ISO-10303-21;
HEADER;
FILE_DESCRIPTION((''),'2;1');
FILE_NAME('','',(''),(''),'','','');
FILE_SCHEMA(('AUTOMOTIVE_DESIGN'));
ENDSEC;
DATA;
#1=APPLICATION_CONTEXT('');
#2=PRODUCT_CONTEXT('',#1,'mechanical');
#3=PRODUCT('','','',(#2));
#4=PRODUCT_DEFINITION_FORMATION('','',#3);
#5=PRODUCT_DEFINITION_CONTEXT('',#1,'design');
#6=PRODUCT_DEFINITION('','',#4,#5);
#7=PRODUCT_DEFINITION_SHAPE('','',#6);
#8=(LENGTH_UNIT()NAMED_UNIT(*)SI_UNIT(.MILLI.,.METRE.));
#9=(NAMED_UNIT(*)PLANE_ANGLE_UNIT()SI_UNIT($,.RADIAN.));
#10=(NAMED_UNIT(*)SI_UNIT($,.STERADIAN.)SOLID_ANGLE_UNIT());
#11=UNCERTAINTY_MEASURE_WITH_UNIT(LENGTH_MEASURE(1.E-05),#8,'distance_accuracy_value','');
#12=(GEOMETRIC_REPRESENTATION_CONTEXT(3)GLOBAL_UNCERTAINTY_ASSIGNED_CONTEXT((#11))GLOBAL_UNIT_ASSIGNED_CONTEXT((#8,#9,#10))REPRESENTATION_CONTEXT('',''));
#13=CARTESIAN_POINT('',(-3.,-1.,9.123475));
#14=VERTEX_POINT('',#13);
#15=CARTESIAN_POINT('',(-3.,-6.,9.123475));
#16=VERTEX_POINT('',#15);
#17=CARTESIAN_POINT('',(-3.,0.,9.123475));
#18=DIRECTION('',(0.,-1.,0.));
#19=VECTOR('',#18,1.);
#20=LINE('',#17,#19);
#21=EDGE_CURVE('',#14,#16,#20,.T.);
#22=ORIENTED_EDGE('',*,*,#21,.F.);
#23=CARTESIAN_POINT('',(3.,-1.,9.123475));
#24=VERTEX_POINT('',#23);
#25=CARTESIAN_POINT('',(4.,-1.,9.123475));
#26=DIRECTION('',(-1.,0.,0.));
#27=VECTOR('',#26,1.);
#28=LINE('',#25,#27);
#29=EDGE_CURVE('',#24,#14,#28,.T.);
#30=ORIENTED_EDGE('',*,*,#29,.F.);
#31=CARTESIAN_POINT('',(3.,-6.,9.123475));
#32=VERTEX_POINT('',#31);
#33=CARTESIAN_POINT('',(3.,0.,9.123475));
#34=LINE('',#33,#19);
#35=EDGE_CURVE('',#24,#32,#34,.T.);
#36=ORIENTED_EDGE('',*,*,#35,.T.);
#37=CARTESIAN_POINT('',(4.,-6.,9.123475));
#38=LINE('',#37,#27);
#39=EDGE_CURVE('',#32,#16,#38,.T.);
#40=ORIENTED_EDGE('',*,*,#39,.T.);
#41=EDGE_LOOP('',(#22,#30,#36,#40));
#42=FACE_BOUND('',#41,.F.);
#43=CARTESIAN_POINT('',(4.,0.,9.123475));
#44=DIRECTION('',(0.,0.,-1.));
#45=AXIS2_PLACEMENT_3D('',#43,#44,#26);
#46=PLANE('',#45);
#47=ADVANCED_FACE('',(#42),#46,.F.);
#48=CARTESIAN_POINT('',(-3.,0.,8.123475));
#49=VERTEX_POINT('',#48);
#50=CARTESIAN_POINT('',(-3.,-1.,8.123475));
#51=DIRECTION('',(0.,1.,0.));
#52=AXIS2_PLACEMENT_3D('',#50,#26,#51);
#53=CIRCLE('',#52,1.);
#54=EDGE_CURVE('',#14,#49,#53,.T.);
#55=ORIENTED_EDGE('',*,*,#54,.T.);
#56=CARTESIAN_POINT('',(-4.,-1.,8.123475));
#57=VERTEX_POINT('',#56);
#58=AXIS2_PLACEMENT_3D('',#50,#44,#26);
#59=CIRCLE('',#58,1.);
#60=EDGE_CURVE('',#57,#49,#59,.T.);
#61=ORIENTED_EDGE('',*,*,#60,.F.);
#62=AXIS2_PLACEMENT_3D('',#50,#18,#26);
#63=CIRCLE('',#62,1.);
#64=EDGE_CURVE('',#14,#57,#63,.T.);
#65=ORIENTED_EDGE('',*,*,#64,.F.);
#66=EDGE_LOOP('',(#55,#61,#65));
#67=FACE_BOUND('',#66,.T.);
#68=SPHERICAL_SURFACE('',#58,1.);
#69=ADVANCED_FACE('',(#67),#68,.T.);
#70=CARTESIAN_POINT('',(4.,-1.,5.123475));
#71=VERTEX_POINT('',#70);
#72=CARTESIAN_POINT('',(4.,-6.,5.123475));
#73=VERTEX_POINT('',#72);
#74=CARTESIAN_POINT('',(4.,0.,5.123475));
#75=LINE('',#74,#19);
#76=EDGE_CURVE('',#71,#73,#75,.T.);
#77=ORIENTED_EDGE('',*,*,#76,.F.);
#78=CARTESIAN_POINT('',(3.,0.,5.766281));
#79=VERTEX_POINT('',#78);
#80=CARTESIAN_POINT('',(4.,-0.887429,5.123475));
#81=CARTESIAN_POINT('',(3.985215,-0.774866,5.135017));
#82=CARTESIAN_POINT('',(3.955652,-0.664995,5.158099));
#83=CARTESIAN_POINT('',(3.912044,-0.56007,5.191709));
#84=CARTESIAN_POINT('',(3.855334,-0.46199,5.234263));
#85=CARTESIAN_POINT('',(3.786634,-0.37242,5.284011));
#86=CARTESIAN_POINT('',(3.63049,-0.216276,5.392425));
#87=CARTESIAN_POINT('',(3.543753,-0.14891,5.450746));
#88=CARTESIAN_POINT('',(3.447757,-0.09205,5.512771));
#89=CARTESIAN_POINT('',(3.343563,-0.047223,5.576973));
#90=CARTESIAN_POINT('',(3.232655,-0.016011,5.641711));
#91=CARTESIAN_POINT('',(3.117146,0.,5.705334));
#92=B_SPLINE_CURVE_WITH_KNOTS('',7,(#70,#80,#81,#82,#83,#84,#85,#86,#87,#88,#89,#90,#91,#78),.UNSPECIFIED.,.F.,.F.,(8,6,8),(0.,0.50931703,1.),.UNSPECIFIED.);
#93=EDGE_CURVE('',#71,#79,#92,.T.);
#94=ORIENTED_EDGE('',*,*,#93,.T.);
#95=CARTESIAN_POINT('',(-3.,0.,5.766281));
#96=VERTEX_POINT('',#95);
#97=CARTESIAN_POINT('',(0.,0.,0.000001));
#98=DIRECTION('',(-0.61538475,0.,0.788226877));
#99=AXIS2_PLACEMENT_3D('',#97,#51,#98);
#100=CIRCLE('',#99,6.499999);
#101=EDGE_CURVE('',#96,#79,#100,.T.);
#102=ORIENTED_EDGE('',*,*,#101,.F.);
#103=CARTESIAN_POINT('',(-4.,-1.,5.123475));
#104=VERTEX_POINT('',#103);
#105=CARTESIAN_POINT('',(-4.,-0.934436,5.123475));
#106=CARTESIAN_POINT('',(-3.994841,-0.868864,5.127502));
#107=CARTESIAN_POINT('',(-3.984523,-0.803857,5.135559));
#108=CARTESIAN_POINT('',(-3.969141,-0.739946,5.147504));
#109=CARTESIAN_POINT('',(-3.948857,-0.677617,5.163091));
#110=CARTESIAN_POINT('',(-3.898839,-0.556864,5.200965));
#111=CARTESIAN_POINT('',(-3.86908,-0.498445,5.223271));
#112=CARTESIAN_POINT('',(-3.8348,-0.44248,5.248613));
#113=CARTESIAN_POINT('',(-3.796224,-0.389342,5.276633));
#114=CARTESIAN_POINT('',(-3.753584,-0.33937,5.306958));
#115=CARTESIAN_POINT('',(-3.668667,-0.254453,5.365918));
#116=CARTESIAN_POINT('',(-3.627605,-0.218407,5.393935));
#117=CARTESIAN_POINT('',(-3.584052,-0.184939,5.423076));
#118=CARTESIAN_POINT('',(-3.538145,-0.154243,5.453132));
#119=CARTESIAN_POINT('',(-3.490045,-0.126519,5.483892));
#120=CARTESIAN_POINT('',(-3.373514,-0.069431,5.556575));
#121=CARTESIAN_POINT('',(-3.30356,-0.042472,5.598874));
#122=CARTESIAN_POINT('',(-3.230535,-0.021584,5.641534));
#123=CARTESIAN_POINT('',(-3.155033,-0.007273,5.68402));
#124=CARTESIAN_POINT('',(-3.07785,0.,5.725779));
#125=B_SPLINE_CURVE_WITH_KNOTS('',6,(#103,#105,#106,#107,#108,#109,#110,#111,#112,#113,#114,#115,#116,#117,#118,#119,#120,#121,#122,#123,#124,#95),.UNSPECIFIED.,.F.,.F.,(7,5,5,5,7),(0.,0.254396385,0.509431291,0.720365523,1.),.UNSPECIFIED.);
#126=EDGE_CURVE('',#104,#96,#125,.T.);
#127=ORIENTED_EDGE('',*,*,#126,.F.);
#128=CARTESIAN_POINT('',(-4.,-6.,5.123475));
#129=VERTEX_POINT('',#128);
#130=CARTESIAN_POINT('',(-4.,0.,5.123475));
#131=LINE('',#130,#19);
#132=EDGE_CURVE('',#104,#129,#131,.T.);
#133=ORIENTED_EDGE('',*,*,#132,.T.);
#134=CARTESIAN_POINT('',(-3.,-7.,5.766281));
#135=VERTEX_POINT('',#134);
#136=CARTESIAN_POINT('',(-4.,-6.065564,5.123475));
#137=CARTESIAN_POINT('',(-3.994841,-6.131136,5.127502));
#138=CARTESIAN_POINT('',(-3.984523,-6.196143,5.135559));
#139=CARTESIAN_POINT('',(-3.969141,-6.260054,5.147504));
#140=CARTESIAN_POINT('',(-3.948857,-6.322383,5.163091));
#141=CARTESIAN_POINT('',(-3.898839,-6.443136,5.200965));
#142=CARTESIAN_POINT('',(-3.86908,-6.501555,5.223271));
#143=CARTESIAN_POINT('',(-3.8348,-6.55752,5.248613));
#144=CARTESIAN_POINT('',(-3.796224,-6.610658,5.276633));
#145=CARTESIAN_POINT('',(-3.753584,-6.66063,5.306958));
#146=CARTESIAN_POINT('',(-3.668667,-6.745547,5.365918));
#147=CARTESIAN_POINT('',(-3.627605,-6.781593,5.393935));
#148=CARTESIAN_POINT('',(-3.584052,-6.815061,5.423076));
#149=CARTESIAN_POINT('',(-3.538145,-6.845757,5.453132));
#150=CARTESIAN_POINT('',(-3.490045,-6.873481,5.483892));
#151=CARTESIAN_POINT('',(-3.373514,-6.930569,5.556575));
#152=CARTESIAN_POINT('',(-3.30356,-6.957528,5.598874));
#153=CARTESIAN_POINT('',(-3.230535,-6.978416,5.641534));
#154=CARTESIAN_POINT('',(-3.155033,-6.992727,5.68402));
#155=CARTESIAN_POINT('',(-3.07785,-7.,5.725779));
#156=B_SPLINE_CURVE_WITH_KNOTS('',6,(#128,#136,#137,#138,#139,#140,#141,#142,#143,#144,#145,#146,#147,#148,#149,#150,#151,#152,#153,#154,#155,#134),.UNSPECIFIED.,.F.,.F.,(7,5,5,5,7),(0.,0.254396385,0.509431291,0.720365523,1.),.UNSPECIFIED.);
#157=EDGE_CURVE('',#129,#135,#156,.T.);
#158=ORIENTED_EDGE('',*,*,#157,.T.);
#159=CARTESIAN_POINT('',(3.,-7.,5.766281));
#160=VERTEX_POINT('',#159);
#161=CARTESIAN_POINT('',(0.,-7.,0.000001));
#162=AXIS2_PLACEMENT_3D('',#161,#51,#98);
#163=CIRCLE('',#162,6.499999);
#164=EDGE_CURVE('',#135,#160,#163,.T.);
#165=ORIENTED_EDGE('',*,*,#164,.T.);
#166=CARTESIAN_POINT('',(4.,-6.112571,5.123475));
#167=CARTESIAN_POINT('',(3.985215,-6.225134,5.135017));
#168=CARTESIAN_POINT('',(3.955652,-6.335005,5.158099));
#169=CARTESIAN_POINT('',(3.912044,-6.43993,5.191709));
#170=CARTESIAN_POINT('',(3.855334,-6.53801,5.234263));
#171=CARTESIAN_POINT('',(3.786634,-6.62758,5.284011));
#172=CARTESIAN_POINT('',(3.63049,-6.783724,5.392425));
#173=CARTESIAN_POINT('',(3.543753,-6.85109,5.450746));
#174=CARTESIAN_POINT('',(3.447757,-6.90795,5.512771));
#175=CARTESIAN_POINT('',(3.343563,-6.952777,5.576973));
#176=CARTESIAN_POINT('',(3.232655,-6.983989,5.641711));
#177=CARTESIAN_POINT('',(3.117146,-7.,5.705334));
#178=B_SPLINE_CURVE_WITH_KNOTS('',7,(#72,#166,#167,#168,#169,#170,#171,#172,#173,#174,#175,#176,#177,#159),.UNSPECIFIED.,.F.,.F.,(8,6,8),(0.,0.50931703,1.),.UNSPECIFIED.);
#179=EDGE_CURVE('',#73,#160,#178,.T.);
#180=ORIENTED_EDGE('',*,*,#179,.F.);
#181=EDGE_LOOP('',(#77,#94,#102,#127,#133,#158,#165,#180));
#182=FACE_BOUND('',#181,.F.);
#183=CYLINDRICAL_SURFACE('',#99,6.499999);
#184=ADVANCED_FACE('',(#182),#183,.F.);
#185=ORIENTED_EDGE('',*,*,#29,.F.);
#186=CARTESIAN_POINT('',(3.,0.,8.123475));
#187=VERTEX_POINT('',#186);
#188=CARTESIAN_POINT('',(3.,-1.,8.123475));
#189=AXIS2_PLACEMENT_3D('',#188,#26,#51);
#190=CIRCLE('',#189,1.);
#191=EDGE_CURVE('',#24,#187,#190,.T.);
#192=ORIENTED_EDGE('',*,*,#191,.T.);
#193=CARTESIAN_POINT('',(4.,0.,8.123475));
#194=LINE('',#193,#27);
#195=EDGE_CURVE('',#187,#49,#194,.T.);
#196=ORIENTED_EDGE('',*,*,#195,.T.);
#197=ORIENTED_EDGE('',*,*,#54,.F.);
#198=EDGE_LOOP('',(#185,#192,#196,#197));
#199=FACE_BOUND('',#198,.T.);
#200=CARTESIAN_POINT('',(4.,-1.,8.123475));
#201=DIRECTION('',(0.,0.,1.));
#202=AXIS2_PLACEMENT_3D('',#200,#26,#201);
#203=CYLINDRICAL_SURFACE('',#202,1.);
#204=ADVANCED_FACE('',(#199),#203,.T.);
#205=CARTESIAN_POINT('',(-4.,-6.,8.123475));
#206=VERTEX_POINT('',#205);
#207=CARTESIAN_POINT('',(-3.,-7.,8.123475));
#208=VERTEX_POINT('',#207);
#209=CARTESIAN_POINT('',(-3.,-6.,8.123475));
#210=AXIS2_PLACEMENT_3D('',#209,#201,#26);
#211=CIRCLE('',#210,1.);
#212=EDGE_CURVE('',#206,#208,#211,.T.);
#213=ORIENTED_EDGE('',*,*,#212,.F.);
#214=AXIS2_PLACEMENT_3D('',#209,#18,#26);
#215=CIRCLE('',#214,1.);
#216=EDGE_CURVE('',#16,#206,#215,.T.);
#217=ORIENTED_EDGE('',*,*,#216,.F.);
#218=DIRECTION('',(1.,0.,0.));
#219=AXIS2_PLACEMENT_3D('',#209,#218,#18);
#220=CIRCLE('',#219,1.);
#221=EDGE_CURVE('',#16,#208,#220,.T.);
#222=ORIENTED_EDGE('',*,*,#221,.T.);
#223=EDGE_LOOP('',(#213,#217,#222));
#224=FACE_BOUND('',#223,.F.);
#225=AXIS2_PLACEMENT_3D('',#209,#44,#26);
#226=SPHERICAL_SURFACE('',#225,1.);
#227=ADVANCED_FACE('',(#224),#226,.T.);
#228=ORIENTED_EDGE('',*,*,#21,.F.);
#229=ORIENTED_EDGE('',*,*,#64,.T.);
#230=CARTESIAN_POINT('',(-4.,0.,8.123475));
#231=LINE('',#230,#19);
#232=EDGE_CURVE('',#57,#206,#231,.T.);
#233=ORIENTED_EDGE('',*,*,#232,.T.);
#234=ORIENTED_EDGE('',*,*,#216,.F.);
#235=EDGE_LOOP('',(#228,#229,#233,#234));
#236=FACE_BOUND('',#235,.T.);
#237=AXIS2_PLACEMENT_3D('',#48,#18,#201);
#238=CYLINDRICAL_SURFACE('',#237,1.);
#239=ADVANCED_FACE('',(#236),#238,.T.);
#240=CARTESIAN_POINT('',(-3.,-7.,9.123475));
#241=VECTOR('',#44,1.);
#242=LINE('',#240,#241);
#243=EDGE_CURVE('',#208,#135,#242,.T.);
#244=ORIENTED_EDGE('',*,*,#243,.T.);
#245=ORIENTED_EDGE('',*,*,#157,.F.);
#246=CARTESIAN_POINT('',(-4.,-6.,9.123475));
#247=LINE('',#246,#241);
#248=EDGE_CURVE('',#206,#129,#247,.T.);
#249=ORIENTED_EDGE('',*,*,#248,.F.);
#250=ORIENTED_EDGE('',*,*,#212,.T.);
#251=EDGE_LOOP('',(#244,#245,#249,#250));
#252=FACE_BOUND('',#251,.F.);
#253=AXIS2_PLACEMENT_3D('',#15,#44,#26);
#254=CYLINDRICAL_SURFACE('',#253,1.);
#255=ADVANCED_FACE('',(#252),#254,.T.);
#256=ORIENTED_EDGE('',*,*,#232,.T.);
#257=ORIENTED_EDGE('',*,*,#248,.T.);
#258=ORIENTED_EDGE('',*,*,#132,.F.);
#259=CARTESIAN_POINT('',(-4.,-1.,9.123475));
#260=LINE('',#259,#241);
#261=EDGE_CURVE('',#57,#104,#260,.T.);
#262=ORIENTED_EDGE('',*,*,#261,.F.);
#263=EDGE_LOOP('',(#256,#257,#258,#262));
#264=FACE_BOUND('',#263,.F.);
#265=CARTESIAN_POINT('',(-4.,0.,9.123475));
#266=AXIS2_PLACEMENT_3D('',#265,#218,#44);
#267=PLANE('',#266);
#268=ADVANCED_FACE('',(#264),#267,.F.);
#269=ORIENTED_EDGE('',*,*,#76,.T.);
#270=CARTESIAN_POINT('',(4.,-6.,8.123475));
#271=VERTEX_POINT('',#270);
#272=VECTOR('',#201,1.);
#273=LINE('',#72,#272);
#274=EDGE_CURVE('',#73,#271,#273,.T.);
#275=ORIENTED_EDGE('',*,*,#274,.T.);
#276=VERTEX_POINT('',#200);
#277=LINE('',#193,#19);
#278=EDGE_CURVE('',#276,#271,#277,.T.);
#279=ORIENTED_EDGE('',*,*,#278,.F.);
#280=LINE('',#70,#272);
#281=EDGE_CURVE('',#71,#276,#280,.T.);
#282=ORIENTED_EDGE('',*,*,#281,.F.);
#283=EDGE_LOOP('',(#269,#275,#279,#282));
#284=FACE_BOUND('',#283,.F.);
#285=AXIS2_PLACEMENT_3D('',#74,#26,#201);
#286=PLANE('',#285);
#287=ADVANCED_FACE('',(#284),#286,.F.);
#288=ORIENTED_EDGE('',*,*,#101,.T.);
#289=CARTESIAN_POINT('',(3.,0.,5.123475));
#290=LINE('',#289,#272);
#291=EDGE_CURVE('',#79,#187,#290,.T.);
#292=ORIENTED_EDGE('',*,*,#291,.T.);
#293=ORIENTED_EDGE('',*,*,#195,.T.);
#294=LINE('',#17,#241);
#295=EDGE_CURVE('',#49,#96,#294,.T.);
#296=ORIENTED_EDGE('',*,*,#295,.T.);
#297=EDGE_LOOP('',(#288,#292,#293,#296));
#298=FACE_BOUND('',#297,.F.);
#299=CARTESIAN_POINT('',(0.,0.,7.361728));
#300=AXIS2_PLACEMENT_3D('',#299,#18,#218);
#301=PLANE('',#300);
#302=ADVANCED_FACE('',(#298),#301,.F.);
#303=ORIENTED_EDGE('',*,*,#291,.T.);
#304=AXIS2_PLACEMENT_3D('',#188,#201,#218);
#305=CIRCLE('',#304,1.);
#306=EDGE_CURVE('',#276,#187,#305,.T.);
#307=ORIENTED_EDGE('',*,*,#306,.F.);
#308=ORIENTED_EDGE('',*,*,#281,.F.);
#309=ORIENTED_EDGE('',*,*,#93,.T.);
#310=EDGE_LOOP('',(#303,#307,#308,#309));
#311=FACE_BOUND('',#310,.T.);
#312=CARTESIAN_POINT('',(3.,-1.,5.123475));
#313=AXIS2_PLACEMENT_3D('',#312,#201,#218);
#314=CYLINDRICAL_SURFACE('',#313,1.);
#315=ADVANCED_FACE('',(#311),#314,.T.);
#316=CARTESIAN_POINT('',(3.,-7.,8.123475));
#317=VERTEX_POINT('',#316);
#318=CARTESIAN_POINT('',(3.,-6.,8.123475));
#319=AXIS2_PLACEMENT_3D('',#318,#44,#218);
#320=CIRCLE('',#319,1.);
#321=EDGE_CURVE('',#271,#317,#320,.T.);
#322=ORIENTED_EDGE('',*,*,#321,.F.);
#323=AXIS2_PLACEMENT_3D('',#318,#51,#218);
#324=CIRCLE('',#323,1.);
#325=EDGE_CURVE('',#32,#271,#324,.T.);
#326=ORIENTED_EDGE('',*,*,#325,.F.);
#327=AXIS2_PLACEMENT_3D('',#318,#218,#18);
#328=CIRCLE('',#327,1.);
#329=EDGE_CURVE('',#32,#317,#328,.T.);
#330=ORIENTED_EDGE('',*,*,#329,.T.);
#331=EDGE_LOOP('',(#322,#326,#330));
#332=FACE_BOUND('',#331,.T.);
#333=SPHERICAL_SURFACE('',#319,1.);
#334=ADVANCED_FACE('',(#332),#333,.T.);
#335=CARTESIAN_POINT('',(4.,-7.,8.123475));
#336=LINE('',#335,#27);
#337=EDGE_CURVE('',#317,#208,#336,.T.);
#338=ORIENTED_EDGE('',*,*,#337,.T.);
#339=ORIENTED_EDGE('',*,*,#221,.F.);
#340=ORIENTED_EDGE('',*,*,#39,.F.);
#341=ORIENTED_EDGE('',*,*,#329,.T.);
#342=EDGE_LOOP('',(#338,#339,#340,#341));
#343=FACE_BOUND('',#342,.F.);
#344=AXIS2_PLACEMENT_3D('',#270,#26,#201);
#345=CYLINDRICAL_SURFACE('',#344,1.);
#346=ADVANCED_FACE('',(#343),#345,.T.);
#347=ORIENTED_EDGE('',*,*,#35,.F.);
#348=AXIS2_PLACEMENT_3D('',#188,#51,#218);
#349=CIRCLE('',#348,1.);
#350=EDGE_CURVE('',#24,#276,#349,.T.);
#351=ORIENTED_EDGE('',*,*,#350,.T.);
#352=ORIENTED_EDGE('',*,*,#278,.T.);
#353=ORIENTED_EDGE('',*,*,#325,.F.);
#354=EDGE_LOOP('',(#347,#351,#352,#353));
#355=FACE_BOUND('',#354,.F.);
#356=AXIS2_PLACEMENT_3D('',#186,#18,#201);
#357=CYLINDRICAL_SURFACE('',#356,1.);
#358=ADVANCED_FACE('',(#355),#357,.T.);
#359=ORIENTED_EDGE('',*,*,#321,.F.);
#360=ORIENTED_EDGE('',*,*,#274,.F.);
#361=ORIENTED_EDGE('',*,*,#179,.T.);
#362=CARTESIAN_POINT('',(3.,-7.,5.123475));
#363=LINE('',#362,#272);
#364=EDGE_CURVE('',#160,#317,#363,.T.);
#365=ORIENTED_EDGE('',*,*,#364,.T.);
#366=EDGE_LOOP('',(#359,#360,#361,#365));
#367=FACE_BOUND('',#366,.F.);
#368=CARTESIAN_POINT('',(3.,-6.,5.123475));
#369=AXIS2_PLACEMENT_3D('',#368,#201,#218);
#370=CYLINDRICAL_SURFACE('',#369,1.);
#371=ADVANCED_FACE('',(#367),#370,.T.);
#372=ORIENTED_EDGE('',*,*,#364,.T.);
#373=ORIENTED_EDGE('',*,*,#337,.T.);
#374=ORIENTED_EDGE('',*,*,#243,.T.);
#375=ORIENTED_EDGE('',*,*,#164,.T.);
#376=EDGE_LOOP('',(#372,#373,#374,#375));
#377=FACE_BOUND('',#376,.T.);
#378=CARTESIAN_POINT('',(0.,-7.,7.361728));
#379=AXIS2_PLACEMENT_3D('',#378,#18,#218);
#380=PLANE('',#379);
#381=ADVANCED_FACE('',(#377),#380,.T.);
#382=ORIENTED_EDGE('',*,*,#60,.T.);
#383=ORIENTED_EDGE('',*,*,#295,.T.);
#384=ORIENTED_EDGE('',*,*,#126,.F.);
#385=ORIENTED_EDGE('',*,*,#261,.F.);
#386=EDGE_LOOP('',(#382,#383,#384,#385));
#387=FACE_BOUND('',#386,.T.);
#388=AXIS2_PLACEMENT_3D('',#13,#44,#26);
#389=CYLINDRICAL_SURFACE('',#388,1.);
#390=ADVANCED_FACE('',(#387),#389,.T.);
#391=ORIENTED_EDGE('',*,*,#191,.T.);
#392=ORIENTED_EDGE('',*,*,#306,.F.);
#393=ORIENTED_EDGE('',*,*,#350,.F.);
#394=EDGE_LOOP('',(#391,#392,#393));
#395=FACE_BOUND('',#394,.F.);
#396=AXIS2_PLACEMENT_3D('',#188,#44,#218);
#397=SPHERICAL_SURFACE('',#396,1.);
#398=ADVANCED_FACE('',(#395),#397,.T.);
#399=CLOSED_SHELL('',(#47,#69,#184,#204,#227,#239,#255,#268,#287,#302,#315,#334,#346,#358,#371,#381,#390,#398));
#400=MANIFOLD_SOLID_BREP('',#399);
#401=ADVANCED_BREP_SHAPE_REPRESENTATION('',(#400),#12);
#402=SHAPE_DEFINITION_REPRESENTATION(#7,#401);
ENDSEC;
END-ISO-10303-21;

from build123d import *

# Parameters (mm, degrees)
F1_DEPTH = 7
F2_R     = 1


with BuildPart() as f1:
    # F0 (on Front) → F1 (new body)
    with BuildSketch(Plane.XZ):
        with BuildLine():
            Line((4, 9.123475), (-4, 9.123475))
            Line((-4, 9.123475), (-4, 5.123475))
            ThreePointArc((-4, 5.123475), (0, 6.5), (4, 5.123475))
            Line((4, 5.123475), (4, 9.123475))
        make_face()
    extrude(amount=F1_DEPTH)

    # F2
    f2_edges = [f1.edges().sort_by_distance(p)[0] for p in [
        (-4, -7, 7.123475),
        (4, -7, 7.123475),
        (4, 0, 7.123475),
        (-4, 0, 7.123475),
        (4, -3.5, 9.123475),
        (-4, -3.5, 9.123475),
        (0, 0, 9.123475),
        (0, -7, 9.123475),
    ]]
    fillet(f2_edges, radius=F2_R)


solid = f1.part
